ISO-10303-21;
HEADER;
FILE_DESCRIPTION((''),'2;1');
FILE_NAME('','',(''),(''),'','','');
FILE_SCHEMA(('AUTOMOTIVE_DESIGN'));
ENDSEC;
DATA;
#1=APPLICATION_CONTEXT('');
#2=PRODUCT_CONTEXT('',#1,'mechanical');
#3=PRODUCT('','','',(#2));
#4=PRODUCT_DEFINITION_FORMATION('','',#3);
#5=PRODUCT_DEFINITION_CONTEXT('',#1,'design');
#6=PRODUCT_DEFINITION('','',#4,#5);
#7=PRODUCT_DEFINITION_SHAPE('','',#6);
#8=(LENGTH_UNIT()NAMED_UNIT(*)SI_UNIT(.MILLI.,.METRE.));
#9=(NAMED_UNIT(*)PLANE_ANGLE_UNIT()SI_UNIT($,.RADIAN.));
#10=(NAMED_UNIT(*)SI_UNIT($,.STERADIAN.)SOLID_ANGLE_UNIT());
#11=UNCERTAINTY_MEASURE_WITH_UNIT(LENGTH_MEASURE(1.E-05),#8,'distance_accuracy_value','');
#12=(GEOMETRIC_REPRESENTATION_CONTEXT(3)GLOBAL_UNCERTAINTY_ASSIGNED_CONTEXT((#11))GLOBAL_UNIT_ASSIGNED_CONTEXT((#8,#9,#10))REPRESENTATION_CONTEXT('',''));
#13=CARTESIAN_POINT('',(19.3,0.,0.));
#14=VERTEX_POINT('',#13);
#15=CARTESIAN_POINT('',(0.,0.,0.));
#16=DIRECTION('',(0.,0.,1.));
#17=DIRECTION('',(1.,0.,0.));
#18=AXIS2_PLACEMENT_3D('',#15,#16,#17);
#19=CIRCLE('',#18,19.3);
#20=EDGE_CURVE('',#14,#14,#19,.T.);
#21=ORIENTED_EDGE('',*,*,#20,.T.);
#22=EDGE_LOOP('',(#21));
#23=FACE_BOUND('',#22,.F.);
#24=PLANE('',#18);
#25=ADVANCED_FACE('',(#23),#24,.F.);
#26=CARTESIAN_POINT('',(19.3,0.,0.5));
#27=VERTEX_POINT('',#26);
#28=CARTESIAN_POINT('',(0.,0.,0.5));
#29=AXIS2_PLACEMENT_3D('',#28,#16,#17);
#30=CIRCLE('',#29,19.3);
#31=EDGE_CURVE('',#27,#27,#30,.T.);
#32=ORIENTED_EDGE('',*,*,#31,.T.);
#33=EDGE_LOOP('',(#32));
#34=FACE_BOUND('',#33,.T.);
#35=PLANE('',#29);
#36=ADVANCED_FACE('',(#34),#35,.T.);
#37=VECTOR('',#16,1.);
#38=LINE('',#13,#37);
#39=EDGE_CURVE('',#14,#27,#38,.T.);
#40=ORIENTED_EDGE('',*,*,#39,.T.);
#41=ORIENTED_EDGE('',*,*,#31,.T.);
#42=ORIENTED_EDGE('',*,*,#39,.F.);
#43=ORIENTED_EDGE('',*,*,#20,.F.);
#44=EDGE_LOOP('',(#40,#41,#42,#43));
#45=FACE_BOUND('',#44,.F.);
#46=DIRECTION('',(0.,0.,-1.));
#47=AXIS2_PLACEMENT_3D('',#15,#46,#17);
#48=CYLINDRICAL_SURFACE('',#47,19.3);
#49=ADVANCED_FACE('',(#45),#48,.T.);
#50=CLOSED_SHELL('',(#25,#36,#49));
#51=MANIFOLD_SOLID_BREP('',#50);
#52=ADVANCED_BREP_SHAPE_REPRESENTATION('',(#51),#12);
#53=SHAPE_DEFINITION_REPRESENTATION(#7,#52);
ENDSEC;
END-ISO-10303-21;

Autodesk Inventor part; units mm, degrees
ref_plane "YZ Plane" through (0, 0, 0) normal (1, 0, 0) x (0, 1, 0)
ref_plane "XZ Plane" through (0, 0, 0) normal (0, 1, 0) x (-1, 0, 0)
ref_plane "XY Plane" through (0, 0, 0) normal (0, 0, 1) x (1, 0, 0)
ref_plane "Arbeitsebene1" through (0, 0, 0) normal (0, 0, 1) x (1, 0, 0)
sketch "Skizze1" plane through (0, 0, 0) normal (0, 0, 1) x (1, 0, 0)
  circle A0 centre (0, 0) radius 19.3 projected
  point P0 (0, 0)
extrude "Extrusion1" add sketch "Skizze1" along normal blind 0.5
properties part number "50_ETL_Membrane_v1"
